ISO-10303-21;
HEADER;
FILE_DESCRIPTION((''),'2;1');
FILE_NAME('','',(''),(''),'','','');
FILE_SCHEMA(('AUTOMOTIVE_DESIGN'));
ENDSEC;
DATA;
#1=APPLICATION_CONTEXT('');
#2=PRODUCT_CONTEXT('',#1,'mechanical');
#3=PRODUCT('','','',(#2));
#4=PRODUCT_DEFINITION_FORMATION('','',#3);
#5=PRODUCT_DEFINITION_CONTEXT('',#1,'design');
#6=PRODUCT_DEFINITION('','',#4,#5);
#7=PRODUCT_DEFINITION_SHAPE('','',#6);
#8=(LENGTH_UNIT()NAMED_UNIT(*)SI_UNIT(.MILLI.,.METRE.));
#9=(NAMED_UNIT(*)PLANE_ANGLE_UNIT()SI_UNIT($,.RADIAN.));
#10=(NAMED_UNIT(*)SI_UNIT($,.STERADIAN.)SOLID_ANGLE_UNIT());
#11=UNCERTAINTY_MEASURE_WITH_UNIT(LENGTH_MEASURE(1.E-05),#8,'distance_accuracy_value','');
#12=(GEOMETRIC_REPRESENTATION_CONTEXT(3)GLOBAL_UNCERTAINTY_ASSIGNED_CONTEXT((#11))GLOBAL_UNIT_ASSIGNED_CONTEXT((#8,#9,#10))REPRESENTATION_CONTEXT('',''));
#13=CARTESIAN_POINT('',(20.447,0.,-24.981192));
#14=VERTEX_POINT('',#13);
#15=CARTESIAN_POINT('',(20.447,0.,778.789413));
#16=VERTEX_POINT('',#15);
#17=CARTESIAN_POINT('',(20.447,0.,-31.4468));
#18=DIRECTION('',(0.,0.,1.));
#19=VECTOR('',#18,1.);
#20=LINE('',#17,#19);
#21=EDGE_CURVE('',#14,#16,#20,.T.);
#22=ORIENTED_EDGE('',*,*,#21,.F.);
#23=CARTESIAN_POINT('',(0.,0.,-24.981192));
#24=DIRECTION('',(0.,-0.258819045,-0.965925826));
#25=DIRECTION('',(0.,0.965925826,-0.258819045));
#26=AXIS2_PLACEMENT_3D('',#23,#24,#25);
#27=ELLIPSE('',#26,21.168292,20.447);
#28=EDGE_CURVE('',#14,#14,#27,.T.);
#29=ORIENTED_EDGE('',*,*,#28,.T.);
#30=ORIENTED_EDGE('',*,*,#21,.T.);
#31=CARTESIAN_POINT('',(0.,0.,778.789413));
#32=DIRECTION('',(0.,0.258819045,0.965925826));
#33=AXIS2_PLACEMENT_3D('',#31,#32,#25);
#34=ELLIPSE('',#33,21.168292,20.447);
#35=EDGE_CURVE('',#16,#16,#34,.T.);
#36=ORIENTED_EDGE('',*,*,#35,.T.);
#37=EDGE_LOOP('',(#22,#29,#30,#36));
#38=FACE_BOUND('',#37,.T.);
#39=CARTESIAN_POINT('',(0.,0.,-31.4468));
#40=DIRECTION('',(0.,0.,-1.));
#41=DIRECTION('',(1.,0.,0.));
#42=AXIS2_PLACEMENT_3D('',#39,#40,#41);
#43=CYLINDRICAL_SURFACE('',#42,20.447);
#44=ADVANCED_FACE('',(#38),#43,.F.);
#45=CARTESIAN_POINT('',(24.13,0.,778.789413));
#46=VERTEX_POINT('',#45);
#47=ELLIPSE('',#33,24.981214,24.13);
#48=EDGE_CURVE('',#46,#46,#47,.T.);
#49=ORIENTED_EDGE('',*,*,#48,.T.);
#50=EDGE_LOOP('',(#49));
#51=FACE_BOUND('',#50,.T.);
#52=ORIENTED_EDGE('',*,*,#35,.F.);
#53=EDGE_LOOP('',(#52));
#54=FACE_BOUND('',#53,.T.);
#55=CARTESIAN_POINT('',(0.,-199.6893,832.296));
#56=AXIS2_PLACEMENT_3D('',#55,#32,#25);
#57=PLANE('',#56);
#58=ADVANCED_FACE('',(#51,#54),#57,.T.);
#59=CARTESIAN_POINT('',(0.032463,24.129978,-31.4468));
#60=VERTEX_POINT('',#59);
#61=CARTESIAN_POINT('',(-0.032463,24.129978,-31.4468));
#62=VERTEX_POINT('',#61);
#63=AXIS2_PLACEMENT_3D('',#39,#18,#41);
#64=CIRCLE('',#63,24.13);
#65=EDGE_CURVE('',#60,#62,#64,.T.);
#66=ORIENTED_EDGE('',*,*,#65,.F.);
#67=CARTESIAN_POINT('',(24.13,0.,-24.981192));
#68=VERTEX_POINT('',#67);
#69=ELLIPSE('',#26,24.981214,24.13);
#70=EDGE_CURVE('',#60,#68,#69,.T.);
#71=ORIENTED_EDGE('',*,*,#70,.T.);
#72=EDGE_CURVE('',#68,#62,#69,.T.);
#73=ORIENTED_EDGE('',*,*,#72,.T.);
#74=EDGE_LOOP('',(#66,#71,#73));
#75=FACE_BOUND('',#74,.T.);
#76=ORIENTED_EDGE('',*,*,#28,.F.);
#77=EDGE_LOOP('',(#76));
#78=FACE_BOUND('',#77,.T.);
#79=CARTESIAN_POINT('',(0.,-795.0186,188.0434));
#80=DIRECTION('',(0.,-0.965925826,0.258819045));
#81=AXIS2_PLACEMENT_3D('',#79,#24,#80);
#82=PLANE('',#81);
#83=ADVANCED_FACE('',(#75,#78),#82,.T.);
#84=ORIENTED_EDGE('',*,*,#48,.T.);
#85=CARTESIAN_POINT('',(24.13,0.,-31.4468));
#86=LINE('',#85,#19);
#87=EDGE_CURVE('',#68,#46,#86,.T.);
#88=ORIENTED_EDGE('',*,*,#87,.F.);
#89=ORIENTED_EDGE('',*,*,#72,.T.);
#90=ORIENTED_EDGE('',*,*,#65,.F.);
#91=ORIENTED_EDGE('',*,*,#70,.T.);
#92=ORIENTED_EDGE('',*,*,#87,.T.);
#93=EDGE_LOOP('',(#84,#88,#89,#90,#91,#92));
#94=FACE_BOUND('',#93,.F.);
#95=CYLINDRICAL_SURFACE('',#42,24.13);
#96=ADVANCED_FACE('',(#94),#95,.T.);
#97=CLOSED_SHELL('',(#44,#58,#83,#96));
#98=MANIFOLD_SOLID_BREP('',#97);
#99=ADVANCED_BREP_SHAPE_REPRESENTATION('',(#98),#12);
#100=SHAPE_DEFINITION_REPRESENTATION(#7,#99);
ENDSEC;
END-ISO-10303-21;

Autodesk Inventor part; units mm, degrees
ref_plane "Start Plane" through (0, 0, -31.4468) normal (0, 0, 1) x (1, 0, 0)
ref_plane "End Plane" through (0, 0, 785.255) normal (0, 0, 1) x (1, 0, 0)
sketch "Sketch" plane through (0, 0, 0) normal (0, 0, 1) x (1, 0, 0)
  circle A0 centre (0, 0) radius 20.447
  circle A1 centre (0, 0) radius 24.13
  dimension "d0" = 48.26
  dimension "d1" = 3.683
extrude "Body" add sketch "Sketch" along normal up to surface (816.7019 mm away) from surface at -31.4468
sketch "Sketch3" plane through (0, 0, 0) normal (0, 0, 1) x (1, 0, 0)
  line L0 (0, 0) -> (10, 0)
ref_plane "Work Plane3" through (0, 0, 0) normal (0, -1, 0) x (1, 0, 0)
ref_plane "Work Plane4" through (0, -795.0186, 188.0434) normal (0, -0.2588, -0.9659) x (1, 0, 0)
split "Split1" plane through (0, -795.0186, 188.0434) removes the side toward (0, -0.2588, -0.9659)
ref_plane "Work Plane5" through (0, -199.6893, 832.296) normal (0, 0.2588, 0.9659) x (1, 0, 0)
split "Split2" plane through (0, -199.6893, 832.296) removes the side toward (0, 0.2588, 0.9659)
sketch "Sketch4" plane through (0, 0, 0) normal (0, -1, 0) x (1, 0, 0)
  line L0 (-2, -31.4468) -> (12, -31.4468) projected
  line L1 (-2, 785.255) -> (12, 785.255) projected
  dimension "d7" = 816.7019
equation "\"d0\" = G_H"
equation "\"d1\" = G_T"
equation "\"d2\" = G_L"
equation "\"G_H\" = 48.26"
equation "\"G_T\" = 3.683"
equation "\"G_L\" = d7"
equation "\"G_OFFSET_START\" = 31.44683"
equation "\"G_OFFSET_END\" = -19.55088"
equation "\"d4\" = -G_OFFSET_START"
equation "\"d5\" = G_OFFSET_END + B_L"
equation "\"B_L\" = 804.8059"
properties part number "ANSI - 1 1/2 x 0.145 - 32.154" material "Steel, Mild"
